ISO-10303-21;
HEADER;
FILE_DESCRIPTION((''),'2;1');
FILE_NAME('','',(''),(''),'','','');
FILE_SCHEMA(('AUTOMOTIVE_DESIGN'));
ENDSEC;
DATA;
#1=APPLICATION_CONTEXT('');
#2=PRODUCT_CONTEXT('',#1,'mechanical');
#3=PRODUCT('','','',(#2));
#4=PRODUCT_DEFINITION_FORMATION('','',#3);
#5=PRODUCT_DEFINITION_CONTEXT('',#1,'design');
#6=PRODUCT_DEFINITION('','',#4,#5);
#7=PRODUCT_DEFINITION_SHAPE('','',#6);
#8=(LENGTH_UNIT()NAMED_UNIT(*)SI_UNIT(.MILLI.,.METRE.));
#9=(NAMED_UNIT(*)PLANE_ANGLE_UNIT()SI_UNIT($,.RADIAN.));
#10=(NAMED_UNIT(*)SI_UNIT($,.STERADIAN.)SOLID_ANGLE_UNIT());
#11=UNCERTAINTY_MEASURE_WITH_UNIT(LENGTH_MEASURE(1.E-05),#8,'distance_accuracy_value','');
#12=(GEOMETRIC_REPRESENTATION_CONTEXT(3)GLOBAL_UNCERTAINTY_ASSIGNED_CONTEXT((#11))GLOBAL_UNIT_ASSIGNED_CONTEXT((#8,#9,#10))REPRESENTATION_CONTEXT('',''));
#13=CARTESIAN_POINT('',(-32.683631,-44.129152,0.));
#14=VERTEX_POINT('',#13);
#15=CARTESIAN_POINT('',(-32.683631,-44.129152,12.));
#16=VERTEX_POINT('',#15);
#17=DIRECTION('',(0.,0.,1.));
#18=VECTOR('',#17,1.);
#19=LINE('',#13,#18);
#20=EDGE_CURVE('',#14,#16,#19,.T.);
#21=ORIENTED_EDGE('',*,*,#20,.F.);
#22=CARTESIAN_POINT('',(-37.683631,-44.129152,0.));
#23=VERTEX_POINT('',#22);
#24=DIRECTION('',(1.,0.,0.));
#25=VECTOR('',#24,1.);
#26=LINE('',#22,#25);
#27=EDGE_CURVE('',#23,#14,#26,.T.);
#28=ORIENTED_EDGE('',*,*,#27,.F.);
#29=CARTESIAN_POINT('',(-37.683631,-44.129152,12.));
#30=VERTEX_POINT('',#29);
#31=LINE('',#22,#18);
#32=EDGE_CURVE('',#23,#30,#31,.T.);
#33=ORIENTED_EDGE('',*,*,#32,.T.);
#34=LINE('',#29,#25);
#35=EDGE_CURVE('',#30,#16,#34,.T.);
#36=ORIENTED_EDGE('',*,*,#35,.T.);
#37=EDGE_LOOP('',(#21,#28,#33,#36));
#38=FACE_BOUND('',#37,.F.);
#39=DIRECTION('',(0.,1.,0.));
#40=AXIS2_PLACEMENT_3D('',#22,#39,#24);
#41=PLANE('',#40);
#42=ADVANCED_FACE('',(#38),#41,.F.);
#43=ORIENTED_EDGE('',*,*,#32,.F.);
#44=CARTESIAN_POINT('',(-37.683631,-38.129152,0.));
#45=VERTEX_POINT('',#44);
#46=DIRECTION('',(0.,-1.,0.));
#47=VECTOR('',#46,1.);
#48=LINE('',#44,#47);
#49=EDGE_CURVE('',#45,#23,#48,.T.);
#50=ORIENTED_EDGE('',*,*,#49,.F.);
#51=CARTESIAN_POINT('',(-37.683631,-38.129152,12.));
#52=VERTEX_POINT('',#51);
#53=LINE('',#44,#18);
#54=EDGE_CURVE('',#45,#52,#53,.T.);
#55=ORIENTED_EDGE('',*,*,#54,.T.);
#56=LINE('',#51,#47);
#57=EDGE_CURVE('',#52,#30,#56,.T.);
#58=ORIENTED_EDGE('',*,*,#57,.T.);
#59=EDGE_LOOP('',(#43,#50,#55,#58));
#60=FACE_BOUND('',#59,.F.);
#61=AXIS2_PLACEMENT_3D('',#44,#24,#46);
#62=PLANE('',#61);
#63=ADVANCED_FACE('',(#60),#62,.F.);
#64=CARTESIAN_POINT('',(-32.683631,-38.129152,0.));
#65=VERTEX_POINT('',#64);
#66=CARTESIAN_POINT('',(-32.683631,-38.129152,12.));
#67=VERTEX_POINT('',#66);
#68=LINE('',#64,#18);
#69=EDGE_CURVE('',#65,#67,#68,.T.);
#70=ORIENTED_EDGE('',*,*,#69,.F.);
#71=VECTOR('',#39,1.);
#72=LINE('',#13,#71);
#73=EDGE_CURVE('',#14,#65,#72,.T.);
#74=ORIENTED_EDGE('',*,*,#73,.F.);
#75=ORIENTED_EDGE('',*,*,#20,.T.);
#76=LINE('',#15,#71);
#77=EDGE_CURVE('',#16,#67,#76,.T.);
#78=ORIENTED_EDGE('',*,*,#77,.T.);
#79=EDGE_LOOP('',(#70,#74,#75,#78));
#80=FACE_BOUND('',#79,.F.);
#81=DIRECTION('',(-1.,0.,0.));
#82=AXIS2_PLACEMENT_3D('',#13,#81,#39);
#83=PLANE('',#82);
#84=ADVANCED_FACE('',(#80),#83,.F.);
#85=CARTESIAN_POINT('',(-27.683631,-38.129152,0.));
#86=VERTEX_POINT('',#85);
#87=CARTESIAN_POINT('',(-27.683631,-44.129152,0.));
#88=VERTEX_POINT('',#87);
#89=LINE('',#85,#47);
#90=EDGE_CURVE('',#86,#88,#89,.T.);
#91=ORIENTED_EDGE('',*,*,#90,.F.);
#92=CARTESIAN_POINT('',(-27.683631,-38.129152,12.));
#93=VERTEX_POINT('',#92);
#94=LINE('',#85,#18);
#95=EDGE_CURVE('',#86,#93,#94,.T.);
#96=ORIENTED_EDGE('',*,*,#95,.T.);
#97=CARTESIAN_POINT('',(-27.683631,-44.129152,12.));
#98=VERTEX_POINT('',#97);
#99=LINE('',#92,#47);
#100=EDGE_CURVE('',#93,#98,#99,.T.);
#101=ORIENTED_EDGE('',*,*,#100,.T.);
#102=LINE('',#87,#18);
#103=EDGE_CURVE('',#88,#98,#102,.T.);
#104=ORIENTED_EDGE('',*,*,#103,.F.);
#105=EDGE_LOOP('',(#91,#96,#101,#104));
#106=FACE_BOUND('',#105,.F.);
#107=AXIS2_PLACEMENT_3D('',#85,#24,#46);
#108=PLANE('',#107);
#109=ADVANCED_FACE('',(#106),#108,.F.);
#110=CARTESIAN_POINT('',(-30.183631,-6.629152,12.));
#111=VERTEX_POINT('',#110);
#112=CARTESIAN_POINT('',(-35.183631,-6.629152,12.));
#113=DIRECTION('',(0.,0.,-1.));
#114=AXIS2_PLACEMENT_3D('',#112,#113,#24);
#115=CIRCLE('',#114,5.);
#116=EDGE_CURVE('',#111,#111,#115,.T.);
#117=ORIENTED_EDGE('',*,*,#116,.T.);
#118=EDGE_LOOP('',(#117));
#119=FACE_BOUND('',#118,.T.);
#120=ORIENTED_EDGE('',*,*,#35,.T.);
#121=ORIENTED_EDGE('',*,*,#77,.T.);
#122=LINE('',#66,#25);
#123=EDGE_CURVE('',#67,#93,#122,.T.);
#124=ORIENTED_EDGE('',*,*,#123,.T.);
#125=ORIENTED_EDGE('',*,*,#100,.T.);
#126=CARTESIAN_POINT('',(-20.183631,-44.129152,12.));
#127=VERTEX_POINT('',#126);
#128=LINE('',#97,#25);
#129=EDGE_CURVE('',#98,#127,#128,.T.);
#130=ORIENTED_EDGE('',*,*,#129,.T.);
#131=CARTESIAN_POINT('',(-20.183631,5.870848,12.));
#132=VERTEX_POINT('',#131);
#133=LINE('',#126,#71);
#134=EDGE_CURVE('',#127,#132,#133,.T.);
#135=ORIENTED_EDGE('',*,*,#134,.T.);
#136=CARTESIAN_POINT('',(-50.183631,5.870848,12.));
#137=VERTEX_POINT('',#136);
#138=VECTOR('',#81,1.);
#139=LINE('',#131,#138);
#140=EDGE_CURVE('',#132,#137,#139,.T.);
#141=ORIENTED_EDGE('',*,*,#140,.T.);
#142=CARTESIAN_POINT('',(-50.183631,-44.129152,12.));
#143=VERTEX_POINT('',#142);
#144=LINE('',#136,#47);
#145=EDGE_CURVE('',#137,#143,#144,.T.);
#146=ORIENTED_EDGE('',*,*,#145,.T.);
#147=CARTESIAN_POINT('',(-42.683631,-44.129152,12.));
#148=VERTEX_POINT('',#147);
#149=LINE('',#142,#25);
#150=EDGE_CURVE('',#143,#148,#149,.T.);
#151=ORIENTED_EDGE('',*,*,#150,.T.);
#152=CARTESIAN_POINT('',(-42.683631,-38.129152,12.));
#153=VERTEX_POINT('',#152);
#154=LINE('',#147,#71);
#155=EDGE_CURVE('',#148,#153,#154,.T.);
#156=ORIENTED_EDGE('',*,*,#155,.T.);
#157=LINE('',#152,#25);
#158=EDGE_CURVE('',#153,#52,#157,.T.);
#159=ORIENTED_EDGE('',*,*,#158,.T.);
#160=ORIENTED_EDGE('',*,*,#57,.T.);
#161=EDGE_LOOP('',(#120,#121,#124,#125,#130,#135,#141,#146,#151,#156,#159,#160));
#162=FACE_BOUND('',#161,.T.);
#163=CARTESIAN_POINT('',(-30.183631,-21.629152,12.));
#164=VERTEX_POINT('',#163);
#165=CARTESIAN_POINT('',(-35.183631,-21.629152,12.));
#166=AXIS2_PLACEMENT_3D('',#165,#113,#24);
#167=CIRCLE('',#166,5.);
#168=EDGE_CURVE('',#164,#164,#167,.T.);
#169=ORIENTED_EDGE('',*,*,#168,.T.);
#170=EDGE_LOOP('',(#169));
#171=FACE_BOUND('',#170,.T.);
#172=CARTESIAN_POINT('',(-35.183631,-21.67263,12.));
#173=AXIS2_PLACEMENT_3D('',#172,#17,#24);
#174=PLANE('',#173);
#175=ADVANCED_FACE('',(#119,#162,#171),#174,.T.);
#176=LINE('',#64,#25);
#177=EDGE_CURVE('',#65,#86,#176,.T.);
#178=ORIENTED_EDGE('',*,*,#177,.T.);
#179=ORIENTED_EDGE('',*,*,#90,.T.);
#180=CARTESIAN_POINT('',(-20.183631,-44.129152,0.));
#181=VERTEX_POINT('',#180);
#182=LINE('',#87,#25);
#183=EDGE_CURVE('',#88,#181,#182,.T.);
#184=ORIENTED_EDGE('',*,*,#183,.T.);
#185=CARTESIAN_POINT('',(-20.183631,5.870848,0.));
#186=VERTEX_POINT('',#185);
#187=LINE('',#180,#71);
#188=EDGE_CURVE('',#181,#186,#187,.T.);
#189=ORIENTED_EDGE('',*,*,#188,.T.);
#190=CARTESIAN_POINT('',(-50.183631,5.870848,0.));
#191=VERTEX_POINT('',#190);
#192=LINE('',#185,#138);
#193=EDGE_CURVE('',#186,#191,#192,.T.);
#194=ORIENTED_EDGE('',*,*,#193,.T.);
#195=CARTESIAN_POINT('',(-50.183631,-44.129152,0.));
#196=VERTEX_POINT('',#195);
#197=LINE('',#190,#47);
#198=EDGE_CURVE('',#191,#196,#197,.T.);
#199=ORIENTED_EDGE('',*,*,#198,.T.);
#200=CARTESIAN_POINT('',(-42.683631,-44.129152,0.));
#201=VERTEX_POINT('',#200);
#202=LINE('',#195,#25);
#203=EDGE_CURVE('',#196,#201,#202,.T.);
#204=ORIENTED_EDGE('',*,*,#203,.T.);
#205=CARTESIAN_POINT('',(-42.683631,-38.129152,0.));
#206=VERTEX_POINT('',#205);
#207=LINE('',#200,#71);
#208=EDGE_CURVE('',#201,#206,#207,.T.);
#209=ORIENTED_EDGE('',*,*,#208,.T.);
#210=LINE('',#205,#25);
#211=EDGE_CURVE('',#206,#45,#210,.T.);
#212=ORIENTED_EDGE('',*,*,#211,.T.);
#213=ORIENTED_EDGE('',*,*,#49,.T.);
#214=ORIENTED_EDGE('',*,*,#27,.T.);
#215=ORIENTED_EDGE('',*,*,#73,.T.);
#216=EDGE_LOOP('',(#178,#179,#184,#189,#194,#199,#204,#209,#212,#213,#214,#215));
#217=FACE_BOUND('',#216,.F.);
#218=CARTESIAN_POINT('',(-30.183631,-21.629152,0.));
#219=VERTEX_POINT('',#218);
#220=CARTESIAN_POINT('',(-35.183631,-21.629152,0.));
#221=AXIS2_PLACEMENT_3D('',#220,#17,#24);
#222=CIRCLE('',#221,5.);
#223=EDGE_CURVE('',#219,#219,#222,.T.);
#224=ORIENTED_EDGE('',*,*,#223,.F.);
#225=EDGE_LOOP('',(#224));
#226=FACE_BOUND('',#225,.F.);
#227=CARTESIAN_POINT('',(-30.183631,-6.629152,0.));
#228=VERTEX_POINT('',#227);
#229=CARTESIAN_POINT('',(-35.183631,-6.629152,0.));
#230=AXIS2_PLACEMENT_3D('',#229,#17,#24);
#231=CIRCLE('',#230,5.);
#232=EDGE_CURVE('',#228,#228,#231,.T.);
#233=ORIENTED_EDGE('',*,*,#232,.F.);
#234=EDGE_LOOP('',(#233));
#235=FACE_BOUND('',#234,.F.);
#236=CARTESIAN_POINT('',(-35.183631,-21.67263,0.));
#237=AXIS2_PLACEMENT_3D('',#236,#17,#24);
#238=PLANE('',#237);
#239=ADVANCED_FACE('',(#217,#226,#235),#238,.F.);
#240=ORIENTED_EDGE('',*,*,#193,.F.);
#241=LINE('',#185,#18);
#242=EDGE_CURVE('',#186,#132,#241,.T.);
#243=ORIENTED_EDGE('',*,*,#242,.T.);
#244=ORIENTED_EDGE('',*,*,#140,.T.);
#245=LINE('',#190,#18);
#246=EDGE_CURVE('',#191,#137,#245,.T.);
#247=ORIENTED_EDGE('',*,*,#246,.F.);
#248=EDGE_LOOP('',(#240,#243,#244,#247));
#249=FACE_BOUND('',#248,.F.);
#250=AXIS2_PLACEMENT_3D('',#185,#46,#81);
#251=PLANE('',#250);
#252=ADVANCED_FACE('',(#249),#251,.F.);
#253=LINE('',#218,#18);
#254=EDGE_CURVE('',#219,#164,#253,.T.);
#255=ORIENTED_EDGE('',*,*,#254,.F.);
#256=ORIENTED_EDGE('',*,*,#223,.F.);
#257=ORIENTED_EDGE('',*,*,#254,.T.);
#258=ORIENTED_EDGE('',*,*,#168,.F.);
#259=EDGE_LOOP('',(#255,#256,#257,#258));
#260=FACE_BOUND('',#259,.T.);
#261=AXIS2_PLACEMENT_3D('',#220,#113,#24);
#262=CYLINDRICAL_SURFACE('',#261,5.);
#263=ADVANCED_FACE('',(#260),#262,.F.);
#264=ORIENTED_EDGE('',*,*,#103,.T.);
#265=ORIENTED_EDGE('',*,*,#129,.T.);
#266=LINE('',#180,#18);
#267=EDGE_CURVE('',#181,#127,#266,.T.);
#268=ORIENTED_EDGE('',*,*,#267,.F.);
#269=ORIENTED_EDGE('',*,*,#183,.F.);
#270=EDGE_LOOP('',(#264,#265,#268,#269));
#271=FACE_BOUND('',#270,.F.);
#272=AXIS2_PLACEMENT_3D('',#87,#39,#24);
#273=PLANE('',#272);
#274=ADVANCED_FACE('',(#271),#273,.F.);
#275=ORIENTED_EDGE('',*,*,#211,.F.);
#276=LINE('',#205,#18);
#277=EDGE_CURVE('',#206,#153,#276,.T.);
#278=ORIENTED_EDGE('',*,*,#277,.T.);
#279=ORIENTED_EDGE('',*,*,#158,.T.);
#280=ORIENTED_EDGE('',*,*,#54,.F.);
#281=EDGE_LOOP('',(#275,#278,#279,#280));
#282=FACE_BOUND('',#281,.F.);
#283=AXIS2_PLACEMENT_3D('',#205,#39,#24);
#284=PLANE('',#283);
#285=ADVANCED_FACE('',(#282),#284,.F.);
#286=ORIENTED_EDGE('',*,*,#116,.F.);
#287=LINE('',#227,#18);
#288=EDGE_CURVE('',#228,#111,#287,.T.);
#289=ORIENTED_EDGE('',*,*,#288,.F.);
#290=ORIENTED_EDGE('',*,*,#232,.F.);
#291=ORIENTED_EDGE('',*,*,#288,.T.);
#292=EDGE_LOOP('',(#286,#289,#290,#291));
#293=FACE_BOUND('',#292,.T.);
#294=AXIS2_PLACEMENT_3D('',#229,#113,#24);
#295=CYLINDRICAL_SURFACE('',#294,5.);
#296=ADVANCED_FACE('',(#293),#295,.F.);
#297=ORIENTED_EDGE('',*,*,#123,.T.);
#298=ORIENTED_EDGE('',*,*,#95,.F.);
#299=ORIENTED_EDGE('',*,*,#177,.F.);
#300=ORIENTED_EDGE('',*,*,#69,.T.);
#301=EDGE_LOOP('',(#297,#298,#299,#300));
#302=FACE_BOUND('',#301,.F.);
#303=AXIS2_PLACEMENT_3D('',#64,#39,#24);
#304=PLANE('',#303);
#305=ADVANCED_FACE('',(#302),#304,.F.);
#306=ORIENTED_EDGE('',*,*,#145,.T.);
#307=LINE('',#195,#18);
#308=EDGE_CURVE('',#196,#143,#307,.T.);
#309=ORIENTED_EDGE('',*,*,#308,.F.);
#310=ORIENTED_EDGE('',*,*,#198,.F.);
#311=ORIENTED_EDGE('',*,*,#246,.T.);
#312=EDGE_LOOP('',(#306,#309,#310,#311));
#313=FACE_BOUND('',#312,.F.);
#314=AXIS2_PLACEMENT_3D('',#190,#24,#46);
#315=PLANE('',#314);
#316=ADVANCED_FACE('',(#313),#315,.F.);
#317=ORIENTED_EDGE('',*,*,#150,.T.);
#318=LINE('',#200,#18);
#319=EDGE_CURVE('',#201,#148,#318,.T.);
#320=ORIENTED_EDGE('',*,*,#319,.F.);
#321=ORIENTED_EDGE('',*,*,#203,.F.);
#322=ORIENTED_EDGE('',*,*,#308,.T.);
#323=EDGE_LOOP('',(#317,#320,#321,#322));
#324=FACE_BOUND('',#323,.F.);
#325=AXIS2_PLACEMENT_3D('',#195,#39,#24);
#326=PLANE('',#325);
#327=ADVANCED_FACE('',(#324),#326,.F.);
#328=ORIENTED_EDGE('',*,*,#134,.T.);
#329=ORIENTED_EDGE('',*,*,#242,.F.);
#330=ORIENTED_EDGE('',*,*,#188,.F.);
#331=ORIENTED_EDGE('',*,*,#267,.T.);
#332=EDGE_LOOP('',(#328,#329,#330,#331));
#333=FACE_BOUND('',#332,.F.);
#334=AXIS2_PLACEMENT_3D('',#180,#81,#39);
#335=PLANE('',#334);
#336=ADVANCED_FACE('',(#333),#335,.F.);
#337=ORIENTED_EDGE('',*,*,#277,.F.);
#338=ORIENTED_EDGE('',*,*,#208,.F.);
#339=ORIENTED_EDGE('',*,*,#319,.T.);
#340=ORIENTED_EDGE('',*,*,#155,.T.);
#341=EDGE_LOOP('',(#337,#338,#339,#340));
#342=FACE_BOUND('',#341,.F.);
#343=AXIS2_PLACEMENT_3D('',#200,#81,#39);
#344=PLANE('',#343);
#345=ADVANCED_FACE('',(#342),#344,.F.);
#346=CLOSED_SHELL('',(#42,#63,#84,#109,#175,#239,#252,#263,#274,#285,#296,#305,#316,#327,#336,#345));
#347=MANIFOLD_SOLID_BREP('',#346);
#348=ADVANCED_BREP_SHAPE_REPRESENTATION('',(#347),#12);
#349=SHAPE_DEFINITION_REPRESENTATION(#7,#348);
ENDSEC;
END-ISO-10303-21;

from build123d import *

# Parameters (mm, degrees)
F1_DEPTH = 12
F2_R     = 5
F3_DEPTH = 77.7


with BuildPart() as f1:
    # F0 (on Top) → F1 (new body)
    with BuildSketch(Plane.XY):
        Polygon((-20.183631, 5.870848), (-50.183631, 5.870848), (-50.183631, -44.129152), (-42.683631, -44.129152), (-42.683631, -38.129152), (-37.683631, -38.129152), (-37.683631, -44.129152), (-32.683631, -44.129152), (-32.683631, -38.129152), (-27.683631, -38.129152), (-27.683631, -44.129152), (-20.183631, -44.129152), align=None)
    extrude(amount=F1_DEPTH)

    # F2 (on Top) → F3 (cut)
    with BuildSketch(Plane.XY):
        with Locations((-35.183631, -6.629152)):
            Circle(F2_R)
        with Locations((-35.183631, -21.629152)):
            Circle(F2_R)
    extrude(amount=F3_DEPTH, mode=Mode.SUBTRACT)


solid = f1.part
